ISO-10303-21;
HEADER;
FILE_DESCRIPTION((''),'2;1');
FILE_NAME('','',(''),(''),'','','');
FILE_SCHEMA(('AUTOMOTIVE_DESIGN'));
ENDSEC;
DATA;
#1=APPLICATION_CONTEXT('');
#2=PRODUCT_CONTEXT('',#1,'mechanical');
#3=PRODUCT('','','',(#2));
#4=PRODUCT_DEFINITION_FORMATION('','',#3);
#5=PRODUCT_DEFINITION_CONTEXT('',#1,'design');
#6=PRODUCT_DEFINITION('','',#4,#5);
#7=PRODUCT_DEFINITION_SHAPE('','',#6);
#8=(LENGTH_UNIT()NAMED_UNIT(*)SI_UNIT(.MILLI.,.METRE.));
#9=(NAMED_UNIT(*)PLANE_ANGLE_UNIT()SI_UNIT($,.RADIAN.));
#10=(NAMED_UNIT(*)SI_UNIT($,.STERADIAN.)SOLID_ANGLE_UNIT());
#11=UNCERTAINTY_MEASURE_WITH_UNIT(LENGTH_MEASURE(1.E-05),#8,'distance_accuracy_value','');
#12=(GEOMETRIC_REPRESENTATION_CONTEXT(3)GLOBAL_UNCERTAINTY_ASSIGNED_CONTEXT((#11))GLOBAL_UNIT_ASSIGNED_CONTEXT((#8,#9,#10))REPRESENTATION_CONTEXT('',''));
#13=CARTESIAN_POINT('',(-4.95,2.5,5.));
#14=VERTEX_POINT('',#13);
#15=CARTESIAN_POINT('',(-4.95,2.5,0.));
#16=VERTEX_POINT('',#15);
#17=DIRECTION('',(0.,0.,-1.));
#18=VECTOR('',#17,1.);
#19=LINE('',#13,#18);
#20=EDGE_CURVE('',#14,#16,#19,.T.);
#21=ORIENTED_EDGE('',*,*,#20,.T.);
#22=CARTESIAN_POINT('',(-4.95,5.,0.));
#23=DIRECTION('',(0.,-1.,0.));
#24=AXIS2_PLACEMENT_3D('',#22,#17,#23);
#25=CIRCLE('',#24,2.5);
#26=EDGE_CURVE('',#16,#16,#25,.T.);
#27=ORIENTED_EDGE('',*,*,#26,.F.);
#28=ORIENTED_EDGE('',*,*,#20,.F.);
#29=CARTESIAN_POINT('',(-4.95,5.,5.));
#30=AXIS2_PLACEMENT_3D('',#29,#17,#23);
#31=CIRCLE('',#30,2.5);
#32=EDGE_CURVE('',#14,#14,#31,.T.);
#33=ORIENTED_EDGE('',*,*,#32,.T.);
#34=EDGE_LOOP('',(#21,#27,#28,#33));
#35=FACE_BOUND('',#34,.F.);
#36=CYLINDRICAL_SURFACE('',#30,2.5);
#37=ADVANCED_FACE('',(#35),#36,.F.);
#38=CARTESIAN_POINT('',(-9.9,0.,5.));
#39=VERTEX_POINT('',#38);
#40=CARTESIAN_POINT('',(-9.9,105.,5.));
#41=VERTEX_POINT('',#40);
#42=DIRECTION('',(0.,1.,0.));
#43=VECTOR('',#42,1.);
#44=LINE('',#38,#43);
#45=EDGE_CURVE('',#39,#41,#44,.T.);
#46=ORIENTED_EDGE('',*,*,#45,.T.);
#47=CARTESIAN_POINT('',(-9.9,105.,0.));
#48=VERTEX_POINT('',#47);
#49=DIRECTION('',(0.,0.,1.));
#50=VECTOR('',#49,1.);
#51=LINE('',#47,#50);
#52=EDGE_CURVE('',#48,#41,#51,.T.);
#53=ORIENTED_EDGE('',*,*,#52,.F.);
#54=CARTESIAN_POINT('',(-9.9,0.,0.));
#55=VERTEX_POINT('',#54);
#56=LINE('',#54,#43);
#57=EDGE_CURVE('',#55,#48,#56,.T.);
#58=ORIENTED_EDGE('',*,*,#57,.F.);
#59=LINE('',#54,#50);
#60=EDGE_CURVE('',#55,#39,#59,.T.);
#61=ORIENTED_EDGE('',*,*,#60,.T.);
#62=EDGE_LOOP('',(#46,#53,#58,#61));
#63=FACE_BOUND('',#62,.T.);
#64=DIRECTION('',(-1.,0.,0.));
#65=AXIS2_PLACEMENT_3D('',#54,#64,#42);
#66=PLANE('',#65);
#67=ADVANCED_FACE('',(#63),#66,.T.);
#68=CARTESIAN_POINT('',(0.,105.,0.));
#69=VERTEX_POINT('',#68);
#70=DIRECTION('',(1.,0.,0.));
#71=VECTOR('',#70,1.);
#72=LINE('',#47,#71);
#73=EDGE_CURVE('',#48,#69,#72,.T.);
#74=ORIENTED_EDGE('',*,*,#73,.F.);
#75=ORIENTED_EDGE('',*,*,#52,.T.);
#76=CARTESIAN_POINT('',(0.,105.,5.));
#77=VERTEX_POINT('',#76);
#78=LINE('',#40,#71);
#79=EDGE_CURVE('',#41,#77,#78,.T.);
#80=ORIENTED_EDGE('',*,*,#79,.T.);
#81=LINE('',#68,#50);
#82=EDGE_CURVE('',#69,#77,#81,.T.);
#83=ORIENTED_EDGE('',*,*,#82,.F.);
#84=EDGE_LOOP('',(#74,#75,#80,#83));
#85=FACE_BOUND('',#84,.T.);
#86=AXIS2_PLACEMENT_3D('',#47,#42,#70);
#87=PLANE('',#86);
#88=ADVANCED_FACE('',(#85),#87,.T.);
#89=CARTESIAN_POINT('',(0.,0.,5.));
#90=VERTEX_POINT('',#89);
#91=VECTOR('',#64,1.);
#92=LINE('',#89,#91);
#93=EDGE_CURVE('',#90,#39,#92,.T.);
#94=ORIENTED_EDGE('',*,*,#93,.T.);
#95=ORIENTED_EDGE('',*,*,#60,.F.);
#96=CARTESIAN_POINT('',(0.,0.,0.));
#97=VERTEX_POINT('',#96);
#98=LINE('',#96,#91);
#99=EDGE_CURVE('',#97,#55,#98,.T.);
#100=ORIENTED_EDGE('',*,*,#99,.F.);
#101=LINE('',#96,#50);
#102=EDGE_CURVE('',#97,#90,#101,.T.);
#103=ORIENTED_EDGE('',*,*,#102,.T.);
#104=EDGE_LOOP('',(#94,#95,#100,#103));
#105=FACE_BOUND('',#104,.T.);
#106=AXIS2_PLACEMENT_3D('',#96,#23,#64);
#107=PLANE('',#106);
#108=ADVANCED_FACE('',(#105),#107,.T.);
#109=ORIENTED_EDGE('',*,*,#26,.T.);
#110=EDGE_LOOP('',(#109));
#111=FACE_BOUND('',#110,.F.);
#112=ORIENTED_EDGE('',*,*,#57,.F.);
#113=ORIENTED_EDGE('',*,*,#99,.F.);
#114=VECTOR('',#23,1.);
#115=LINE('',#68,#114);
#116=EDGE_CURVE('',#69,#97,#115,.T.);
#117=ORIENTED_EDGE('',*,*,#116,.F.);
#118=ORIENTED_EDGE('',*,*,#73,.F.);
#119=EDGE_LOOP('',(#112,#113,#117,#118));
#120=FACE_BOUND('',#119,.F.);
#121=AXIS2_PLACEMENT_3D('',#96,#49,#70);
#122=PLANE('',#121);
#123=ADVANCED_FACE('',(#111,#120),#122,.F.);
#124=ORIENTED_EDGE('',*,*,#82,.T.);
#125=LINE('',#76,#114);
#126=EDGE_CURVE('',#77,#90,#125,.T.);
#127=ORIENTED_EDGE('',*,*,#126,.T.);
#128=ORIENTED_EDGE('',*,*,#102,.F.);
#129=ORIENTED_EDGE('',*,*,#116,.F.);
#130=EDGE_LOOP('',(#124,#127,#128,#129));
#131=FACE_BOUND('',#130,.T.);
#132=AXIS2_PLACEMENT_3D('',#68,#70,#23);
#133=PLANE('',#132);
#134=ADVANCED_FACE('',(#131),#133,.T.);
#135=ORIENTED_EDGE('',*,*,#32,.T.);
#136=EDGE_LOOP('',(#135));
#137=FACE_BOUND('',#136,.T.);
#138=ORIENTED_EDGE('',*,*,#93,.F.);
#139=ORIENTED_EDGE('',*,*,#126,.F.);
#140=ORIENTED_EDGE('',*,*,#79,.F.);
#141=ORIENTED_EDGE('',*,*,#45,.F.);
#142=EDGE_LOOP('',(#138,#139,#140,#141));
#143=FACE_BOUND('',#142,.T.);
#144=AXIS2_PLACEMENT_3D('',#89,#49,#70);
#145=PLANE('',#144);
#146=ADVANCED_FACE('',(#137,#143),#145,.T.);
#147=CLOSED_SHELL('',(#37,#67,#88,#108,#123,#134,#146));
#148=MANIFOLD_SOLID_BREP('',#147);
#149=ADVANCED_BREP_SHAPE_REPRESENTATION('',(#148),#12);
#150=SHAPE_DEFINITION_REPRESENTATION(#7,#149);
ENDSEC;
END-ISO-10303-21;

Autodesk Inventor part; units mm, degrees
ref_plane "YZ Plane" through (0, 0, 0) normal (1, 0, 0) x (0, 1, 0)
ref_plane "XZ Plane" through (0, 0, 0) normal (0, 1, 0) x (-1, 0, 0)
ref_plane "XY Plane" through (0, 0, 0) normal (0, 0, 1) x (1, 0, 0)
sketch "Sketch2" plane through (0, 0, 0) normal (0, 0, 1) x (1, 0, 0)
  line L0 (0, 0) -> (-9.9, 0)
  line L1 (-9.9, 0) -> (-9.9, 105)
  line L2 (-9.9, 105) -> (0, 105)
  line L3 (0, 105) -> (0, 0)
  point P0 (-5, 18)
  dimension "d4" = 9.9
  dimension "d5" = 105
extrude "Extrusion2" add sketch "Sketch2" along normal blind 5
sketch "Sketch3" plane through (0, 0, 5) normal (0, 0, 1) x (1, 0, 0)
  point P0 (0, 0)
  point P1 (-4.95, 5)
hole "Hole3" at (-4.95, 5, 5) direction (0, 0, -1) diameter 5 depth 6
properties part number "Elbow_Cube_Holder_TestFit_V2"
